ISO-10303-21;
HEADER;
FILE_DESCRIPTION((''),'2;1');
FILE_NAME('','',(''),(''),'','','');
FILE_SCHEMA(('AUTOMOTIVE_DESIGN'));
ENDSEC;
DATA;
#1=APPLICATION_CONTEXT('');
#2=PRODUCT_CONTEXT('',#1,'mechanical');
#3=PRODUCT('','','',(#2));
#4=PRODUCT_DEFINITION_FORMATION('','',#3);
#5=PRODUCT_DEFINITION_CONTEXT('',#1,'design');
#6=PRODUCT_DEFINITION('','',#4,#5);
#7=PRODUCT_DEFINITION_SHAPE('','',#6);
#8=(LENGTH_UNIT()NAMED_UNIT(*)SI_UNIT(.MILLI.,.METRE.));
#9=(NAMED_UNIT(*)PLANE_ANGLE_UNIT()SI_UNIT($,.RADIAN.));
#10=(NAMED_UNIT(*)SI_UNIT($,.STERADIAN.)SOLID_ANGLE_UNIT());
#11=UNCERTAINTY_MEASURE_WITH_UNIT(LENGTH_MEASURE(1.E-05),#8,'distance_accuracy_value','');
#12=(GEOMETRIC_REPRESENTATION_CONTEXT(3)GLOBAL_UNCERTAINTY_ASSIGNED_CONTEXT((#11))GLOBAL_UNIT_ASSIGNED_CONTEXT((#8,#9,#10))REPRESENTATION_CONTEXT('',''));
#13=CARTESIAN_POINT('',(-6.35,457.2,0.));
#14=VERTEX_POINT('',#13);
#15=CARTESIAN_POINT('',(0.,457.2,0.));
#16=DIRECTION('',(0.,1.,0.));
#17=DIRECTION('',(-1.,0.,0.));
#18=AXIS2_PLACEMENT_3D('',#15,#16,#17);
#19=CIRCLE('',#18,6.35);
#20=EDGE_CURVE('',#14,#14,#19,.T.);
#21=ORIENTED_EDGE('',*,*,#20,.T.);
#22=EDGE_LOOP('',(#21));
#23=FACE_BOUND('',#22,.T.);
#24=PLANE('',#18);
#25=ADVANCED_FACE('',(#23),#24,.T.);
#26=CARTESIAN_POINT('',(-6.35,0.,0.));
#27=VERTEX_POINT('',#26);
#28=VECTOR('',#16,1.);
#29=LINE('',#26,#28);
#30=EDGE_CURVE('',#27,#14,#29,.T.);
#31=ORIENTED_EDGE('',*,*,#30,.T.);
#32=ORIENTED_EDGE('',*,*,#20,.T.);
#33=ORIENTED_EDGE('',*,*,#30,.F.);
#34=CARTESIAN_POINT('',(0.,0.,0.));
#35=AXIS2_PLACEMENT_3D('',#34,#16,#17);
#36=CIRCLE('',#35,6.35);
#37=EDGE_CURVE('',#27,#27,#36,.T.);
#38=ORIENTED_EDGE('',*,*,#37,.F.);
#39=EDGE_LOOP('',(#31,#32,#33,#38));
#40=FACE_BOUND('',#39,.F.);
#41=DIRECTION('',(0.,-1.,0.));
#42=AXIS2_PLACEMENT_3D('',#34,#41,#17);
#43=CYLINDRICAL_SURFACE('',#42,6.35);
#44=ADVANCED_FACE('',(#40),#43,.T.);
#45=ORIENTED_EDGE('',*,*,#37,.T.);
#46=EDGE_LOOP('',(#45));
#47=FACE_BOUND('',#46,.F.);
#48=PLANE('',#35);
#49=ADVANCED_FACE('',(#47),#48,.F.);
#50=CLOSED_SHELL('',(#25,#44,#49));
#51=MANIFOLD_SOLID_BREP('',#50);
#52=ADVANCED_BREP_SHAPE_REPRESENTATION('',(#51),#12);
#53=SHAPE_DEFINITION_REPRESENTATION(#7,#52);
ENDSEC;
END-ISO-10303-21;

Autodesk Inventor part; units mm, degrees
ref_plane "YZ Plane" through (0, 0, 0) normal (1, 0, 0) x (0, 1, 0)
ref_plane "XZ Plane" through (0, 0, 0) normal (0, 1, 0) x (-1, 0, 0)
ref_plane "XY Plane" through (0, 0, 0) normal (0, 0, 1) x (1, 0, 0)
sketch "Sketch1" plane through (0, 0, 0) normal (0, 1, 0) x (-1, 0, 0)
  circle A0 centre (0, 0) radius 6.35
  dimension "d0" = 12.7
extrude "Extrusion1" add sketch "Sketch1" along normal blind 457.2
thread "Thread1" size "1-10 UNS" class "2A" standard "ANSI Unified Screw Threads" full length
properties part number "ASME Threaded Rod" material "Steel"
